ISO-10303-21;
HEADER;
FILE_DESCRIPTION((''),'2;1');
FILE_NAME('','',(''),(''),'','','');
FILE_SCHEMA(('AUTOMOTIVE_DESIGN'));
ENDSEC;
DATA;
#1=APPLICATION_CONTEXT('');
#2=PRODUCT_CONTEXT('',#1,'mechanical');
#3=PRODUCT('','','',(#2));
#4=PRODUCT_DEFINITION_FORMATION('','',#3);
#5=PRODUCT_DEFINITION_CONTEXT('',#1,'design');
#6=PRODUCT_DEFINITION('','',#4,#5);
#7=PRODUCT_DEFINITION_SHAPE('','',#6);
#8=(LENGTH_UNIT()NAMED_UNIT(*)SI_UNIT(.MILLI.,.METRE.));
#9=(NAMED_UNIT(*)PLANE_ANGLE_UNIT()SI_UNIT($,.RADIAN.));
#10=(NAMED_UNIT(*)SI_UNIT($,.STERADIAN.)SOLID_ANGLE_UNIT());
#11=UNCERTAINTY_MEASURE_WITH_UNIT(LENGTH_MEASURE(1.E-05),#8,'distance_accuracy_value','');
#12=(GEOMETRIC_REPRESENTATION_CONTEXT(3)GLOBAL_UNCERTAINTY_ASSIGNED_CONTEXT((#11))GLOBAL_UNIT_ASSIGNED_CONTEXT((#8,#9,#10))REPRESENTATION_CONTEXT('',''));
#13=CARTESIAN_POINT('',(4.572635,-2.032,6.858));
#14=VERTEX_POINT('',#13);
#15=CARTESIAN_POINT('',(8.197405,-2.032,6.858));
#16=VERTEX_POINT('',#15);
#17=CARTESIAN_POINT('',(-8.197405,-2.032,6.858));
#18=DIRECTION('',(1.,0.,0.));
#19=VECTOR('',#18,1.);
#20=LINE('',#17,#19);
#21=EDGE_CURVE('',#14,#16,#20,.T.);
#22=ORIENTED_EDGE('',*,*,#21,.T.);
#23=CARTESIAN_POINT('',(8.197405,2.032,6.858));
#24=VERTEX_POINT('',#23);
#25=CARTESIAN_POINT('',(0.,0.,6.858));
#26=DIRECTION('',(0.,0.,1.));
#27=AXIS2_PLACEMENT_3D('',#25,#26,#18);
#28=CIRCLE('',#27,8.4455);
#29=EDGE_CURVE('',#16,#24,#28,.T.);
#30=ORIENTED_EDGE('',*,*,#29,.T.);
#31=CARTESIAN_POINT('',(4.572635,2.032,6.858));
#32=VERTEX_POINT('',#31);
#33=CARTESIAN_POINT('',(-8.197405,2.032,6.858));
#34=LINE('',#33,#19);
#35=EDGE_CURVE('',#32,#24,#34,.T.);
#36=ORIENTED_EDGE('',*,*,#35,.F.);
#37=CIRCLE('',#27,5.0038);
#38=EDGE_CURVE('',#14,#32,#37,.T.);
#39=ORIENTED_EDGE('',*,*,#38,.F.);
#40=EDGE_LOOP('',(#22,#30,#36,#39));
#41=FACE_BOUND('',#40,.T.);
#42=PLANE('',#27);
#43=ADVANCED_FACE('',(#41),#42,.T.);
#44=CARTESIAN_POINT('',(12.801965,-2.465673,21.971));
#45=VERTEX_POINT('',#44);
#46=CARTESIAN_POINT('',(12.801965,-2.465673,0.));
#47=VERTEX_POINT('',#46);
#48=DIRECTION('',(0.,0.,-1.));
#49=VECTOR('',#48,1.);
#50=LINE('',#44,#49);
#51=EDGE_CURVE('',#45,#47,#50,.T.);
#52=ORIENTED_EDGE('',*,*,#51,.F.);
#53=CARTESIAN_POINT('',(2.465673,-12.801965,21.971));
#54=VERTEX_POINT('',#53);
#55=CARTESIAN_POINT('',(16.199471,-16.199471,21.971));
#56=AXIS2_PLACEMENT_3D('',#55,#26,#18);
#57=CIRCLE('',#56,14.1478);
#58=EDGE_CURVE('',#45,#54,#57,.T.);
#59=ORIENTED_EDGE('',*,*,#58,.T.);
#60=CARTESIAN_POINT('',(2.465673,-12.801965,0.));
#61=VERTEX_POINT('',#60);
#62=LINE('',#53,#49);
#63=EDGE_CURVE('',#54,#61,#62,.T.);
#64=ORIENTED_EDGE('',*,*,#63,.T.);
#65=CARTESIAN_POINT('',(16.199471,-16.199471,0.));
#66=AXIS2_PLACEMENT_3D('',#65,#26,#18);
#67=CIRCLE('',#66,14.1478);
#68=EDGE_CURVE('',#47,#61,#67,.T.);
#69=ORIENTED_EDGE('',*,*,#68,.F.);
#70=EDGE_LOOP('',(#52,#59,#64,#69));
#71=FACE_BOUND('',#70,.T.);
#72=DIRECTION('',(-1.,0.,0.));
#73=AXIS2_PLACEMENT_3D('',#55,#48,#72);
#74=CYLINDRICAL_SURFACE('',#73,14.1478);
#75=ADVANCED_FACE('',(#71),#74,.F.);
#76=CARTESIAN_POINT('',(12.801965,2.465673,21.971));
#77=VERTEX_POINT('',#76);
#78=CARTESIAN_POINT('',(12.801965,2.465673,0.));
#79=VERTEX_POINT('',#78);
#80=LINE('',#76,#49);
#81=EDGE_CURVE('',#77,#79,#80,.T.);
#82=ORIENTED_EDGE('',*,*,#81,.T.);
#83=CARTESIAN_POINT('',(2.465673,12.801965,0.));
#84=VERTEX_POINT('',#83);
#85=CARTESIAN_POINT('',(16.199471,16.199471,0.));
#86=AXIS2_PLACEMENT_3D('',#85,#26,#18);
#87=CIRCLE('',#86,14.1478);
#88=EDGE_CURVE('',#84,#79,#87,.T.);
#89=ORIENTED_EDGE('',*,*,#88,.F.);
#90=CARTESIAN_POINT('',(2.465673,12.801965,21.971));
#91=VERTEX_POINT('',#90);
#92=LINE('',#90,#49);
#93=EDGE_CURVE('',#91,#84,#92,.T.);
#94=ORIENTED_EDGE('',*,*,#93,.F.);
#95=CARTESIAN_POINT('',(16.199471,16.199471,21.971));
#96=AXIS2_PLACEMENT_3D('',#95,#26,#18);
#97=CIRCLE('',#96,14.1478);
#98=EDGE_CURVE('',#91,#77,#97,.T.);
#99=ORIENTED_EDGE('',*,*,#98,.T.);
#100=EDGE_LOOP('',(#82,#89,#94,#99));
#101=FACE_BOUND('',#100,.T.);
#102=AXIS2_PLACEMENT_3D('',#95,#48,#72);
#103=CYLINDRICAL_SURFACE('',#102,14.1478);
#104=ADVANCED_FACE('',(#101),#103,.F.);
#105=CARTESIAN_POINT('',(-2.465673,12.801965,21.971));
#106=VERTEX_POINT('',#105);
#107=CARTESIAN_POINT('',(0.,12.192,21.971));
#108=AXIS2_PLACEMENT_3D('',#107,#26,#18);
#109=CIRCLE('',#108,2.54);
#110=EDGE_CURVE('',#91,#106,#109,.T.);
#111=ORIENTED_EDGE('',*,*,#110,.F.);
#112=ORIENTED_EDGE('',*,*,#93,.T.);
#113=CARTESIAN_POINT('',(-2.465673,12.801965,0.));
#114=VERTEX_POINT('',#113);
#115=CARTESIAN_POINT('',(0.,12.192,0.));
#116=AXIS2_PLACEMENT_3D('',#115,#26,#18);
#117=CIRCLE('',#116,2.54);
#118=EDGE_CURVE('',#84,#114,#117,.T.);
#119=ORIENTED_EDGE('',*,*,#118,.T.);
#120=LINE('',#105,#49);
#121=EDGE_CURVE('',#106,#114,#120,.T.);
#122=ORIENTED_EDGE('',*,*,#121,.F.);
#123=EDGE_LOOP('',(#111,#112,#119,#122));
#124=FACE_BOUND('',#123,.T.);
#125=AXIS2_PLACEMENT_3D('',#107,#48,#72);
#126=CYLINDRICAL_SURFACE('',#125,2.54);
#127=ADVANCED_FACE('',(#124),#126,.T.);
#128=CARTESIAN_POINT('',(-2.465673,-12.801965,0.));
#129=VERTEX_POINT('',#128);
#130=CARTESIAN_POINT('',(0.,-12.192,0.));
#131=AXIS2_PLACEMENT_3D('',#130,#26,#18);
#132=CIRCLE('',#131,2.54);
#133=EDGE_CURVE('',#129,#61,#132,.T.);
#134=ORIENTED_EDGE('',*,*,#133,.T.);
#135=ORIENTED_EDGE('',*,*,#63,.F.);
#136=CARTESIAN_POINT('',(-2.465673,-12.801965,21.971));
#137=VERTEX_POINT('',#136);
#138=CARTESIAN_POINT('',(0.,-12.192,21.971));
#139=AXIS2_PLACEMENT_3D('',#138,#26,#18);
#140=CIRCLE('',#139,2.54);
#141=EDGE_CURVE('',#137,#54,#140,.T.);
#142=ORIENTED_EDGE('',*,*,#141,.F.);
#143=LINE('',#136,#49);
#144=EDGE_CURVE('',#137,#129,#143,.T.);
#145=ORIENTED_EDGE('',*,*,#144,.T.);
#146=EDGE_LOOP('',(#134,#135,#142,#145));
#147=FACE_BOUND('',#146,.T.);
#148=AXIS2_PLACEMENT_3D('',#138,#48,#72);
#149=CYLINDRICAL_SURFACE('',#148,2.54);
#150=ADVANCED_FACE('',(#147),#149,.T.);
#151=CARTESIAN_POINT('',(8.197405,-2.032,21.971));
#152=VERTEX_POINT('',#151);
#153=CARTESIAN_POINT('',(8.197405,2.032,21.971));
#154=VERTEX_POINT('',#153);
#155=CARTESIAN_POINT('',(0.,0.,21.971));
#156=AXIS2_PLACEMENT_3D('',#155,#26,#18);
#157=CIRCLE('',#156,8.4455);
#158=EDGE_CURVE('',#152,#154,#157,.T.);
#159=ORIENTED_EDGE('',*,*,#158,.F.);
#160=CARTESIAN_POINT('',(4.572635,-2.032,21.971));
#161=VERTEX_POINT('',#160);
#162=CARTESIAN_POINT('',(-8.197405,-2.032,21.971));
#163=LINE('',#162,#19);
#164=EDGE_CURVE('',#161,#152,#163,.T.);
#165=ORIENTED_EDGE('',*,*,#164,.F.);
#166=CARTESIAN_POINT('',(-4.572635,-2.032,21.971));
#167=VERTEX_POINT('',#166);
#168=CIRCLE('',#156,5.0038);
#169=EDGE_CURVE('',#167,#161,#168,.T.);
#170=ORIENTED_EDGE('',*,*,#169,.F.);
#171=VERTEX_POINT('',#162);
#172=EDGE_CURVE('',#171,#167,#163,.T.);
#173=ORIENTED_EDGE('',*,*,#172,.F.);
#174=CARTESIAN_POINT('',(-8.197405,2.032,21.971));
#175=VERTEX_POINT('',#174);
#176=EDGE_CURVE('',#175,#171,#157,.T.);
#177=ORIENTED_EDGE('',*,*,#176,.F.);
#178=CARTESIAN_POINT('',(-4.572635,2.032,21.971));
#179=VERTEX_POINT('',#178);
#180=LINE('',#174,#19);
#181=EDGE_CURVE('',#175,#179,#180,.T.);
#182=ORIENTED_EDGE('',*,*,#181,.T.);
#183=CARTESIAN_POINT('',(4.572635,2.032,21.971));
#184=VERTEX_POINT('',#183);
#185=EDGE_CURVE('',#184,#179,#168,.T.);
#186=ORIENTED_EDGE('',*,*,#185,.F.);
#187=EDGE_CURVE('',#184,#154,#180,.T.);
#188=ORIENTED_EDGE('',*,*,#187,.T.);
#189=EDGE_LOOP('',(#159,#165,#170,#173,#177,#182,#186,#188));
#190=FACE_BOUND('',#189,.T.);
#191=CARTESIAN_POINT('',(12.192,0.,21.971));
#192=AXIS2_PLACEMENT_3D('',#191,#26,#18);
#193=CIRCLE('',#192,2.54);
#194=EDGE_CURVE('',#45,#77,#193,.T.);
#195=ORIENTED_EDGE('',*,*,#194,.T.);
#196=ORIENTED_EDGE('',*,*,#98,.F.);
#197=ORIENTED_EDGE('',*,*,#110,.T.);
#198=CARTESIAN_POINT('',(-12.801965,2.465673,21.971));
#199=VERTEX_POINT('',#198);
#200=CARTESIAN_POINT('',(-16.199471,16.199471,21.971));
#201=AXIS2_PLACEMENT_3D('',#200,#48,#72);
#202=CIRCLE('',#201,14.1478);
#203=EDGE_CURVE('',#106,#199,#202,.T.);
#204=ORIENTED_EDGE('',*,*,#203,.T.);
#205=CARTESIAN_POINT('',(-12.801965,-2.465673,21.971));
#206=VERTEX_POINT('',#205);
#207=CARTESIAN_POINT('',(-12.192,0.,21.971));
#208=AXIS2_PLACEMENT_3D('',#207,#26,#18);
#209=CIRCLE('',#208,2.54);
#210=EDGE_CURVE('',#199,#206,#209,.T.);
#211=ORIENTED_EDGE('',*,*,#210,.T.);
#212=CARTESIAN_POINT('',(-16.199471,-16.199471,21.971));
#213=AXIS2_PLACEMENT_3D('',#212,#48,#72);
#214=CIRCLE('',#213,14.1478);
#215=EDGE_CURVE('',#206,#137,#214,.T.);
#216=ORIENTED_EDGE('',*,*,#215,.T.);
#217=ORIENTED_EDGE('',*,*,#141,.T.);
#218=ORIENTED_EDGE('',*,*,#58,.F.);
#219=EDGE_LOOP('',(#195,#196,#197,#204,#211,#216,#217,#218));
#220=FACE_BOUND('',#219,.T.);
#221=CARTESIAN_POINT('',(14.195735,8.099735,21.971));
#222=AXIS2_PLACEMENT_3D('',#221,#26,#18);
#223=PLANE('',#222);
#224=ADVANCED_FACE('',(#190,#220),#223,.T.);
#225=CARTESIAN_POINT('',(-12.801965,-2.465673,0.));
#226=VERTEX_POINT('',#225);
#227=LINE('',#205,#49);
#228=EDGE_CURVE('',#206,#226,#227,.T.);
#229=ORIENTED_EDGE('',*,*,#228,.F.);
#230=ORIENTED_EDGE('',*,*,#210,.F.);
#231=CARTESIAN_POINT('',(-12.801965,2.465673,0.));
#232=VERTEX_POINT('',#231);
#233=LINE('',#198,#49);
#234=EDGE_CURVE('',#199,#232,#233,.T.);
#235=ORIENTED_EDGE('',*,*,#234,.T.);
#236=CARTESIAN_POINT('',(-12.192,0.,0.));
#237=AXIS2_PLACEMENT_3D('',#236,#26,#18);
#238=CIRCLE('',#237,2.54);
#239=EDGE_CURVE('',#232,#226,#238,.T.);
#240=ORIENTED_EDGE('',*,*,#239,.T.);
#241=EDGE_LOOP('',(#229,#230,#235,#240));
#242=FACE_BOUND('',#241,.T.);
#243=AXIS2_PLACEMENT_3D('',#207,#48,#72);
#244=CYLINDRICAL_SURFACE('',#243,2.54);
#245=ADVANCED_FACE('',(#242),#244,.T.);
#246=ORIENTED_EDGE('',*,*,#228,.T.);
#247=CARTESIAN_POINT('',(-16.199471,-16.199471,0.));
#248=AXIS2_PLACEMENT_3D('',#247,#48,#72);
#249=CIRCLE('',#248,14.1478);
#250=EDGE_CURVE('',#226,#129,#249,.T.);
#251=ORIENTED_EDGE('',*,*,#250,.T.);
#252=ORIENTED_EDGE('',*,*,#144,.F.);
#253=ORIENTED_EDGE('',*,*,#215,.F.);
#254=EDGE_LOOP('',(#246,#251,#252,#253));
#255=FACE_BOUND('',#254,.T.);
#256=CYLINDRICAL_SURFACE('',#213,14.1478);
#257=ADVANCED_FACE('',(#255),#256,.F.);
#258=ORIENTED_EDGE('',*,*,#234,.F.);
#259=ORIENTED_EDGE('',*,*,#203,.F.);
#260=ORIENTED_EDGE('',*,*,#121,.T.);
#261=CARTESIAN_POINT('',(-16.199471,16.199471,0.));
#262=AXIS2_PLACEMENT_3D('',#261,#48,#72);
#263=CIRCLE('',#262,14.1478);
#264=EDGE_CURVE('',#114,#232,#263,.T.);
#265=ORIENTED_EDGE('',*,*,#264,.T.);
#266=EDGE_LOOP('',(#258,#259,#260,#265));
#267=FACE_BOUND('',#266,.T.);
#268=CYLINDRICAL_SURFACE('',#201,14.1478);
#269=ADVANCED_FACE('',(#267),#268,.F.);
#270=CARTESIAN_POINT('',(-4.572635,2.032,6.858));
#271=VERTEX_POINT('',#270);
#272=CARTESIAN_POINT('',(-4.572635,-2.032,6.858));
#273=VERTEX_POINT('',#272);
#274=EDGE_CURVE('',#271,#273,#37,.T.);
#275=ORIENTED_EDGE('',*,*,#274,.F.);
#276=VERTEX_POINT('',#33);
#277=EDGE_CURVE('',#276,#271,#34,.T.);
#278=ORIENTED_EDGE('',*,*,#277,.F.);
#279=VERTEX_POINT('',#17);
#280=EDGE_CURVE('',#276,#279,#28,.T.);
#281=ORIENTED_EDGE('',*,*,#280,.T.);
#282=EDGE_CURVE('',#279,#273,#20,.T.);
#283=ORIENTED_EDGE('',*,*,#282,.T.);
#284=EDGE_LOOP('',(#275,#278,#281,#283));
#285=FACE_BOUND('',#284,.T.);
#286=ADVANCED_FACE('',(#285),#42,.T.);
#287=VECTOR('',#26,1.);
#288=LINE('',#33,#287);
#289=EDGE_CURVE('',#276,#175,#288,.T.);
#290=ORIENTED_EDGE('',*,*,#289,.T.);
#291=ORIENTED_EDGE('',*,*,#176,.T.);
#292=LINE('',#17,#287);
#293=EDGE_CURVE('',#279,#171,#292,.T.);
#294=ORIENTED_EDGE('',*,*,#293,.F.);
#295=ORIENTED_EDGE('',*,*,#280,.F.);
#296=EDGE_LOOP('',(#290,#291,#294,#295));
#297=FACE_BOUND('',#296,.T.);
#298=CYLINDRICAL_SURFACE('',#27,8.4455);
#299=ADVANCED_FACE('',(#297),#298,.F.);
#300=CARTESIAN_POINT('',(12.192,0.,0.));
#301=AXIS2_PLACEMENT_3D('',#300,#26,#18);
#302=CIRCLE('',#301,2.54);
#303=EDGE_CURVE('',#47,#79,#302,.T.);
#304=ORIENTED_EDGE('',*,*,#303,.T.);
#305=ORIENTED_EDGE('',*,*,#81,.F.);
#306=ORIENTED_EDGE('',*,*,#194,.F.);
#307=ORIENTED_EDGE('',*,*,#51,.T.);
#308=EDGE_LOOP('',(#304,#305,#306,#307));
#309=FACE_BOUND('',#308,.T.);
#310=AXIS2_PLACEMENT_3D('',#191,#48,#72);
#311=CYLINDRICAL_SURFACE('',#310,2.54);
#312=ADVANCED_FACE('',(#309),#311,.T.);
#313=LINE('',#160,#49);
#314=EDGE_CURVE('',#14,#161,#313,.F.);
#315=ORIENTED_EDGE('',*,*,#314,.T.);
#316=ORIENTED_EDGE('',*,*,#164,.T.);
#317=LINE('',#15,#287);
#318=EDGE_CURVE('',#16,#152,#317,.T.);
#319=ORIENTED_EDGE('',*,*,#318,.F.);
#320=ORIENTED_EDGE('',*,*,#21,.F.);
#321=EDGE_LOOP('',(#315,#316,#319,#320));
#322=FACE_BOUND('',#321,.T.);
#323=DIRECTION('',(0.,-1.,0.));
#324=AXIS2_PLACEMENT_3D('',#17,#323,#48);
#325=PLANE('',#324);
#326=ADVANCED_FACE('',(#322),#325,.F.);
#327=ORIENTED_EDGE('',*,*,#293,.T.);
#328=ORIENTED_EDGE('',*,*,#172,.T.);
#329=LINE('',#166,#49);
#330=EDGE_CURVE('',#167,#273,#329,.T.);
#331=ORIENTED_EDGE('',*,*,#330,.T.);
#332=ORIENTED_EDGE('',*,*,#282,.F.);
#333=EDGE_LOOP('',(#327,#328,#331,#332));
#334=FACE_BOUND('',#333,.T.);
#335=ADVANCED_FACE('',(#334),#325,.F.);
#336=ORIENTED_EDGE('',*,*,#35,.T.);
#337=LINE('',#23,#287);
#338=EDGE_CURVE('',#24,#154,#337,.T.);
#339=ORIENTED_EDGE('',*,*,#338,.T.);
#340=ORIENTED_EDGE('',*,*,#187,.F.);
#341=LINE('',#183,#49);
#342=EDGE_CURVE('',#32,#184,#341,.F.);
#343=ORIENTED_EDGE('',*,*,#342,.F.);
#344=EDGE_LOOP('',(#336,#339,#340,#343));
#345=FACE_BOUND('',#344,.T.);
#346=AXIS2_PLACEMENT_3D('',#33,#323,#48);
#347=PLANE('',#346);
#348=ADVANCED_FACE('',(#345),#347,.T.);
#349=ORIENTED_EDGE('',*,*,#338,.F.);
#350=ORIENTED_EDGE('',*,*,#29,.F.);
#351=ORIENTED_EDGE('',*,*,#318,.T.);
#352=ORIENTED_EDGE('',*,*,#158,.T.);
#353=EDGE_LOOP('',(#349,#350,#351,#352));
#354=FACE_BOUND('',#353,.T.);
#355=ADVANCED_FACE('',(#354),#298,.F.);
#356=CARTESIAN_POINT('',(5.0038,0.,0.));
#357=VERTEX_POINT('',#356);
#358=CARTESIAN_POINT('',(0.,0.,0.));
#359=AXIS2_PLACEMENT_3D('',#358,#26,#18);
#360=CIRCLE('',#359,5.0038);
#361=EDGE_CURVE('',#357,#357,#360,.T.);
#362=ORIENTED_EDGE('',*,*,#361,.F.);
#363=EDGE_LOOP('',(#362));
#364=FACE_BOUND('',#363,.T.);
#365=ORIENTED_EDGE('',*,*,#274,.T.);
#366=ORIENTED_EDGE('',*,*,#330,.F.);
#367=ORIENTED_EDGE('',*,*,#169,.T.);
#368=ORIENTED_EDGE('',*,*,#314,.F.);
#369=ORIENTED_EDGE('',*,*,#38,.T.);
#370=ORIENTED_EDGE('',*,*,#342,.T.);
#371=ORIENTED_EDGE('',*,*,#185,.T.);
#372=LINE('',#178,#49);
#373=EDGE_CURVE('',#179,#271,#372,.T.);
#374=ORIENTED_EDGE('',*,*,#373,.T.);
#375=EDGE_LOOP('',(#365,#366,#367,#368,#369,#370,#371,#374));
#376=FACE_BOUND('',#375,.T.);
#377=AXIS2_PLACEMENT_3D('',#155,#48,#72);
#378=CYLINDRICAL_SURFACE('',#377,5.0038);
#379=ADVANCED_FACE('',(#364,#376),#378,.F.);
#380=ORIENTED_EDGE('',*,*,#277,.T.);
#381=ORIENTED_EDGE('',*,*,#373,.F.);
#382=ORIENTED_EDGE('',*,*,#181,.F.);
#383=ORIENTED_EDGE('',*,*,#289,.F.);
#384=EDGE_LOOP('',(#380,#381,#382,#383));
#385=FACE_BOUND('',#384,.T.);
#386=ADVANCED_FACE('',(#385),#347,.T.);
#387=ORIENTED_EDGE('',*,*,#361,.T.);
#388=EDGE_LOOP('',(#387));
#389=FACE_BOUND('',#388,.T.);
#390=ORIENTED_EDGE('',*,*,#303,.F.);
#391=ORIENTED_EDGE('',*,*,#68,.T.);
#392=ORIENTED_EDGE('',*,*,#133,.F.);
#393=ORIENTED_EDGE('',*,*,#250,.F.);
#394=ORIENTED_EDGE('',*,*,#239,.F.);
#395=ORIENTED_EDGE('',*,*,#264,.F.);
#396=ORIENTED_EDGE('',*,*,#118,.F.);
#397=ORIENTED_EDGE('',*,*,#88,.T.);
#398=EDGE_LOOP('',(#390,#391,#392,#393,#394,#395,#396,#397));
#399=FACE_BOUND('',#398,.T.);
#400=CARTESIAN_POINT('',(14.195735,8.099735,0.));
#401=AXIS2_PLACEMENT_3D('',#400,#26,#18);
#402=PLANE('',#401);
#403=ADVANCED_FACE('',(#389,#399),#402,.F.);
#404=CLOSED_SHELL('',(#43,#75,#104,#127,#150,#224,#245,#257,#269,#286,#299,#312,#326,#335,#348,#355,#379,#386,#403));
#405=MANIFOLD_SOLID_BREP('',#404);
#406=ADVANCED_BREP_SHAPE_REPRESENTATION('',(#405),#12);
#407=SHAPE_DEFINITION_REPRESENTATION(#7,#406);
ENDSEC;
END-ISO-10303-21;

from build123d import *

# Parameters (mm, degrees)
SKETCH1_R          = 5.0038
BASE_EXTRUDE_DEPTH = 21.971
CUT_EXTRUDE1_DEPTH = 15.113


with BuildPart() as part:
    # Sketch1 → Base-Extrude (new body)
    with BuildSketch(Plane.XY):
        with BuildLine():
            ThreePointArc((2.465672848, 12.801965086), (0, 14.732), (-2.465672848, 12.801965086))
            ThreePointArc((-2.465672848, 12.801965086), (-6.195465294, 6.195465294), (-12.801965086, 2.465672848))
            ThreePointArc((-12.801965086, 2.465672848), (-14.732, 0), (-12.801965086, -2.465672848))
            ThreePointArc((-12.801965086, -2.465672848), (-6.195465294, -6.195465294), (-2.465672848, -12.801965086))
            ThreePointArc((-2.465672848, -12.801965086), (0, -14.732), (2.465672848, -12.801965086))
            ThreePointArc((2.465672848, -12.801965086), (6.195465294, -6.195465294), (12.801965086, -2.465672848))
            ThreePointArc((12.801965086, -2.465672848), (14.732, 0), (12.801965086, 2.465672848))
            ThreePointArc((12.801965086, 2.465672848), (6.195465294, 6.195465294), (2.465672848, 12.801965086))
        make_face()
        Circle(SKETCH1_R, mode=Mode.SUBTRACT)
    extrude(amount=BASE_EXTRUDE_DEPTH)

    # Sketch2 → Cut-Extrude1 (cut)
    with BuildSketch(Plane.XY.offset(21.971)):
        with BuildLine():
            Line((-8.197404848, 2.032), (8.197404848, 2.032))
            ThreePointArc((8.197404848, 2.032), (8.4455, 0), (8.197404848, -2.032))
            Line((8.197404848, -2.032), (-8.197404848, -2.032))
            ThreePointArc((-8.197404848, -2.032), (-8.4455, 0), (-8.197404848, 2.032))
        make_face()
    extrude(amount=-CUT_EXTRUDE1_DEPTH, mode=Mode.SUBTRACT)


solid = part.part
